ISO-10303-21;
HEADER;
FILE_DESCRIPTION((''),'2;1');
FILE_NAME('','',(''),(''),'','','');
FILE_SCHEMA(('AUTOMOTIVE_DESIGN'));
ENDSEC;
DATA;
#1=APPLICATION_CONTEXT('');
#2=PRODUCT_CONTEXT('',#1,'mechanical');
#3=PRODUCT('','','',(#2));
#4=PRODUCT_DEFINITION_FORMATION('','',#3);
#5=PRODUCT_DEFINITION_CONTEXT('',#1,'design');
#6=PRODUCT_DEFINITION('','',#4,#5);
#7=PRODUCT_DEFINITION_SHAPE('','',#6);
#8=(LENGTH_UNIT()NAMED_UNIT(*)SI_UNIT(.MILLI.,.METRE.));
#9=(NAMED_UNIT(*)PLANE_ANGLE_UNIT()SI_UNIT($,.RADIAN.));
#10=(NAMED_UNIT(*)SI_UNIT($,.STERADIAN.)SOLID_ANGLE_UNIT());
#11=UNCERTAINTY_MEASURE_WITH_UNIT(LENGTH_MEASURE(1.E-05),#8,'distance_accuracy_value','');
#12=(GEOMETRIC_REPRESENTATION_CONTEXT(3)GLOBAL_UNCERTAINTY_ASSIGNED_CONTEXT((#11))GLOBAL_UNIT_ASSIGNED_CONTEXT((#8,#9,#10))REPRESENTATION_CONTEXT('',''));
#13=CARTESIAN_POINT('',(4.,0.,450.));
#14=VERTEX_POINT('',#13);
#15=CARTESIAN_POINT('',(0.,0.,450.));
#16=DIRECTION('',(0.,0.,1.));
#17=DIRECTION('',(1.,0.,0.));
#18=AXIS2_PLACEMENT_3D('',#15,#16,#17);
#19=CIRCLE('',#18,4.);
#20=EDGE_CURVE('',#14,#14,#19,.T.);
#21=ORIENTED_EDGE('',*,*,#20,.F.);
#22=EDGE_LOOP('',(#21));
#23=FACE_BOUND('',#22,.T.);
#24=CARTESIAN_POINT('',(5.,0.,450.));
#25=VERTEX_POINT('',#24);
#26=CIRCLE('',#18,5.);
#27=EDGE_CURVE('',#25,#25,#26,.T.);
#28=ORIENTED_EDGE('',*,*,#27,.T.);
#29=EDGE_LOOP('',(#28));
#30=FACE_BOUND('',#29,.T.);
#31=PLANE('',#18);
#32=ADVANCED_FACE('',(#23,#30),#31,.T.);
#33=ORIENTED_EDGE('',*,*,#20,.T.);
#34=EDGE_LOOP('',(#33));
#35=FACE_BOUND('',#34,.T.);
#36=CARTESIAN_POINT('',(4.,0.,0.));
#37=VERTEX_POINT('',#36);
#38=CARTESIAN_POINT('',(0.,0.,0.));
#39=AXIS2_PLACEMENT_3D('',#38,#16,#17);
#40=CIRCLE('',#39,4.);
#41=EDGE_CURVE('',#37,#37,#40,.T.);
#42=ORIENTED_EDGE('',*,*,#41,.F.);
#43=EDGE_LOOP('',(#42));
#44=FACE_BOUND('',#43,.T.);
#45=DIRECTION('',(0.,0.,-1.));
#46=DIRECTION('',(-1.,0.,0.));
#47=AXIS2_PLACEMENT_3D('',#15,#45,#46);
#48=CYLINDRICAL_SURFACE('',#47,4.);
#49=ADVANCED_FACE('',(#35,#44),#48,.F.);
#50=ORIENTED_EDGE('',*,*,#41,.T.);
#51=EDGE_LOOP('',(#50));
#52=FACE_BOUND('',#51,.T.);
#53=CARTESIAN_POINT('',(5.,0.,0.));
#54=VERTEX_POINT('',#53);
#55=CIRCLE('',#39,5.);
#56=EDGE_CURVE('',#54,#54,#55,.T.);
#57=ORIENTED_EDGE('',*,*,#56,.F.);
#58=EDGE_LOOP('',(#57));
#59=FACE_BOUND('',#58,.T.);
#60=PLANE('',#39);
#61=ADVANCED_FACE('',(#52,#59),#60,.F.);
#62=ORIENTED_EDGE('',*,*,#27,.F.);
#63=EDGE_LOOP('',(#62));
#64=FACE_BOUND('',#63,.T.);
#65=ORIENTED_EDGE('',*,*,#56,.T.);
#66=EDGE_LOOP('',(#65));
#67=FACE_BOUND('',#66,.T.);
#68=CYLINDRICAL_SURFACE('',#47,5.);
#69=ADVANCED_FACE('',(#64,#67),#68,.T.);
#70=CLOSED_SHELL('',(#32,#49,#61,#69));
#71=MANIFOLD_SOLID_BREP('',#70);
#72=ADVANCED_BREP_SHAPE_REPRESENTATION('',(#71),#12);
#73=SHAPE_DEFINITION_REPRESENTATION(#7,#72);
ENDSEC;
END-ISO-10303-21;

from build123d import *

# Parameters (mm, degrees)
SKETCH1_R           = 5
SKETCH1_R_2         = 4
BOSS_EXTRUDE1_DEPTH = 450


with BuildPart() as part:
    # Sketch1 → Boss-Extrude1 (new body)
    with BuildSketch(Plane.XY):
        Circle(SKETCH1_R)
        Circle(SKETCH1_R_2, mode=Mode.SUBTRACT)
    extrude(amount=BOSS_EXTRUDE1_DEPTH)


solid = part.part
